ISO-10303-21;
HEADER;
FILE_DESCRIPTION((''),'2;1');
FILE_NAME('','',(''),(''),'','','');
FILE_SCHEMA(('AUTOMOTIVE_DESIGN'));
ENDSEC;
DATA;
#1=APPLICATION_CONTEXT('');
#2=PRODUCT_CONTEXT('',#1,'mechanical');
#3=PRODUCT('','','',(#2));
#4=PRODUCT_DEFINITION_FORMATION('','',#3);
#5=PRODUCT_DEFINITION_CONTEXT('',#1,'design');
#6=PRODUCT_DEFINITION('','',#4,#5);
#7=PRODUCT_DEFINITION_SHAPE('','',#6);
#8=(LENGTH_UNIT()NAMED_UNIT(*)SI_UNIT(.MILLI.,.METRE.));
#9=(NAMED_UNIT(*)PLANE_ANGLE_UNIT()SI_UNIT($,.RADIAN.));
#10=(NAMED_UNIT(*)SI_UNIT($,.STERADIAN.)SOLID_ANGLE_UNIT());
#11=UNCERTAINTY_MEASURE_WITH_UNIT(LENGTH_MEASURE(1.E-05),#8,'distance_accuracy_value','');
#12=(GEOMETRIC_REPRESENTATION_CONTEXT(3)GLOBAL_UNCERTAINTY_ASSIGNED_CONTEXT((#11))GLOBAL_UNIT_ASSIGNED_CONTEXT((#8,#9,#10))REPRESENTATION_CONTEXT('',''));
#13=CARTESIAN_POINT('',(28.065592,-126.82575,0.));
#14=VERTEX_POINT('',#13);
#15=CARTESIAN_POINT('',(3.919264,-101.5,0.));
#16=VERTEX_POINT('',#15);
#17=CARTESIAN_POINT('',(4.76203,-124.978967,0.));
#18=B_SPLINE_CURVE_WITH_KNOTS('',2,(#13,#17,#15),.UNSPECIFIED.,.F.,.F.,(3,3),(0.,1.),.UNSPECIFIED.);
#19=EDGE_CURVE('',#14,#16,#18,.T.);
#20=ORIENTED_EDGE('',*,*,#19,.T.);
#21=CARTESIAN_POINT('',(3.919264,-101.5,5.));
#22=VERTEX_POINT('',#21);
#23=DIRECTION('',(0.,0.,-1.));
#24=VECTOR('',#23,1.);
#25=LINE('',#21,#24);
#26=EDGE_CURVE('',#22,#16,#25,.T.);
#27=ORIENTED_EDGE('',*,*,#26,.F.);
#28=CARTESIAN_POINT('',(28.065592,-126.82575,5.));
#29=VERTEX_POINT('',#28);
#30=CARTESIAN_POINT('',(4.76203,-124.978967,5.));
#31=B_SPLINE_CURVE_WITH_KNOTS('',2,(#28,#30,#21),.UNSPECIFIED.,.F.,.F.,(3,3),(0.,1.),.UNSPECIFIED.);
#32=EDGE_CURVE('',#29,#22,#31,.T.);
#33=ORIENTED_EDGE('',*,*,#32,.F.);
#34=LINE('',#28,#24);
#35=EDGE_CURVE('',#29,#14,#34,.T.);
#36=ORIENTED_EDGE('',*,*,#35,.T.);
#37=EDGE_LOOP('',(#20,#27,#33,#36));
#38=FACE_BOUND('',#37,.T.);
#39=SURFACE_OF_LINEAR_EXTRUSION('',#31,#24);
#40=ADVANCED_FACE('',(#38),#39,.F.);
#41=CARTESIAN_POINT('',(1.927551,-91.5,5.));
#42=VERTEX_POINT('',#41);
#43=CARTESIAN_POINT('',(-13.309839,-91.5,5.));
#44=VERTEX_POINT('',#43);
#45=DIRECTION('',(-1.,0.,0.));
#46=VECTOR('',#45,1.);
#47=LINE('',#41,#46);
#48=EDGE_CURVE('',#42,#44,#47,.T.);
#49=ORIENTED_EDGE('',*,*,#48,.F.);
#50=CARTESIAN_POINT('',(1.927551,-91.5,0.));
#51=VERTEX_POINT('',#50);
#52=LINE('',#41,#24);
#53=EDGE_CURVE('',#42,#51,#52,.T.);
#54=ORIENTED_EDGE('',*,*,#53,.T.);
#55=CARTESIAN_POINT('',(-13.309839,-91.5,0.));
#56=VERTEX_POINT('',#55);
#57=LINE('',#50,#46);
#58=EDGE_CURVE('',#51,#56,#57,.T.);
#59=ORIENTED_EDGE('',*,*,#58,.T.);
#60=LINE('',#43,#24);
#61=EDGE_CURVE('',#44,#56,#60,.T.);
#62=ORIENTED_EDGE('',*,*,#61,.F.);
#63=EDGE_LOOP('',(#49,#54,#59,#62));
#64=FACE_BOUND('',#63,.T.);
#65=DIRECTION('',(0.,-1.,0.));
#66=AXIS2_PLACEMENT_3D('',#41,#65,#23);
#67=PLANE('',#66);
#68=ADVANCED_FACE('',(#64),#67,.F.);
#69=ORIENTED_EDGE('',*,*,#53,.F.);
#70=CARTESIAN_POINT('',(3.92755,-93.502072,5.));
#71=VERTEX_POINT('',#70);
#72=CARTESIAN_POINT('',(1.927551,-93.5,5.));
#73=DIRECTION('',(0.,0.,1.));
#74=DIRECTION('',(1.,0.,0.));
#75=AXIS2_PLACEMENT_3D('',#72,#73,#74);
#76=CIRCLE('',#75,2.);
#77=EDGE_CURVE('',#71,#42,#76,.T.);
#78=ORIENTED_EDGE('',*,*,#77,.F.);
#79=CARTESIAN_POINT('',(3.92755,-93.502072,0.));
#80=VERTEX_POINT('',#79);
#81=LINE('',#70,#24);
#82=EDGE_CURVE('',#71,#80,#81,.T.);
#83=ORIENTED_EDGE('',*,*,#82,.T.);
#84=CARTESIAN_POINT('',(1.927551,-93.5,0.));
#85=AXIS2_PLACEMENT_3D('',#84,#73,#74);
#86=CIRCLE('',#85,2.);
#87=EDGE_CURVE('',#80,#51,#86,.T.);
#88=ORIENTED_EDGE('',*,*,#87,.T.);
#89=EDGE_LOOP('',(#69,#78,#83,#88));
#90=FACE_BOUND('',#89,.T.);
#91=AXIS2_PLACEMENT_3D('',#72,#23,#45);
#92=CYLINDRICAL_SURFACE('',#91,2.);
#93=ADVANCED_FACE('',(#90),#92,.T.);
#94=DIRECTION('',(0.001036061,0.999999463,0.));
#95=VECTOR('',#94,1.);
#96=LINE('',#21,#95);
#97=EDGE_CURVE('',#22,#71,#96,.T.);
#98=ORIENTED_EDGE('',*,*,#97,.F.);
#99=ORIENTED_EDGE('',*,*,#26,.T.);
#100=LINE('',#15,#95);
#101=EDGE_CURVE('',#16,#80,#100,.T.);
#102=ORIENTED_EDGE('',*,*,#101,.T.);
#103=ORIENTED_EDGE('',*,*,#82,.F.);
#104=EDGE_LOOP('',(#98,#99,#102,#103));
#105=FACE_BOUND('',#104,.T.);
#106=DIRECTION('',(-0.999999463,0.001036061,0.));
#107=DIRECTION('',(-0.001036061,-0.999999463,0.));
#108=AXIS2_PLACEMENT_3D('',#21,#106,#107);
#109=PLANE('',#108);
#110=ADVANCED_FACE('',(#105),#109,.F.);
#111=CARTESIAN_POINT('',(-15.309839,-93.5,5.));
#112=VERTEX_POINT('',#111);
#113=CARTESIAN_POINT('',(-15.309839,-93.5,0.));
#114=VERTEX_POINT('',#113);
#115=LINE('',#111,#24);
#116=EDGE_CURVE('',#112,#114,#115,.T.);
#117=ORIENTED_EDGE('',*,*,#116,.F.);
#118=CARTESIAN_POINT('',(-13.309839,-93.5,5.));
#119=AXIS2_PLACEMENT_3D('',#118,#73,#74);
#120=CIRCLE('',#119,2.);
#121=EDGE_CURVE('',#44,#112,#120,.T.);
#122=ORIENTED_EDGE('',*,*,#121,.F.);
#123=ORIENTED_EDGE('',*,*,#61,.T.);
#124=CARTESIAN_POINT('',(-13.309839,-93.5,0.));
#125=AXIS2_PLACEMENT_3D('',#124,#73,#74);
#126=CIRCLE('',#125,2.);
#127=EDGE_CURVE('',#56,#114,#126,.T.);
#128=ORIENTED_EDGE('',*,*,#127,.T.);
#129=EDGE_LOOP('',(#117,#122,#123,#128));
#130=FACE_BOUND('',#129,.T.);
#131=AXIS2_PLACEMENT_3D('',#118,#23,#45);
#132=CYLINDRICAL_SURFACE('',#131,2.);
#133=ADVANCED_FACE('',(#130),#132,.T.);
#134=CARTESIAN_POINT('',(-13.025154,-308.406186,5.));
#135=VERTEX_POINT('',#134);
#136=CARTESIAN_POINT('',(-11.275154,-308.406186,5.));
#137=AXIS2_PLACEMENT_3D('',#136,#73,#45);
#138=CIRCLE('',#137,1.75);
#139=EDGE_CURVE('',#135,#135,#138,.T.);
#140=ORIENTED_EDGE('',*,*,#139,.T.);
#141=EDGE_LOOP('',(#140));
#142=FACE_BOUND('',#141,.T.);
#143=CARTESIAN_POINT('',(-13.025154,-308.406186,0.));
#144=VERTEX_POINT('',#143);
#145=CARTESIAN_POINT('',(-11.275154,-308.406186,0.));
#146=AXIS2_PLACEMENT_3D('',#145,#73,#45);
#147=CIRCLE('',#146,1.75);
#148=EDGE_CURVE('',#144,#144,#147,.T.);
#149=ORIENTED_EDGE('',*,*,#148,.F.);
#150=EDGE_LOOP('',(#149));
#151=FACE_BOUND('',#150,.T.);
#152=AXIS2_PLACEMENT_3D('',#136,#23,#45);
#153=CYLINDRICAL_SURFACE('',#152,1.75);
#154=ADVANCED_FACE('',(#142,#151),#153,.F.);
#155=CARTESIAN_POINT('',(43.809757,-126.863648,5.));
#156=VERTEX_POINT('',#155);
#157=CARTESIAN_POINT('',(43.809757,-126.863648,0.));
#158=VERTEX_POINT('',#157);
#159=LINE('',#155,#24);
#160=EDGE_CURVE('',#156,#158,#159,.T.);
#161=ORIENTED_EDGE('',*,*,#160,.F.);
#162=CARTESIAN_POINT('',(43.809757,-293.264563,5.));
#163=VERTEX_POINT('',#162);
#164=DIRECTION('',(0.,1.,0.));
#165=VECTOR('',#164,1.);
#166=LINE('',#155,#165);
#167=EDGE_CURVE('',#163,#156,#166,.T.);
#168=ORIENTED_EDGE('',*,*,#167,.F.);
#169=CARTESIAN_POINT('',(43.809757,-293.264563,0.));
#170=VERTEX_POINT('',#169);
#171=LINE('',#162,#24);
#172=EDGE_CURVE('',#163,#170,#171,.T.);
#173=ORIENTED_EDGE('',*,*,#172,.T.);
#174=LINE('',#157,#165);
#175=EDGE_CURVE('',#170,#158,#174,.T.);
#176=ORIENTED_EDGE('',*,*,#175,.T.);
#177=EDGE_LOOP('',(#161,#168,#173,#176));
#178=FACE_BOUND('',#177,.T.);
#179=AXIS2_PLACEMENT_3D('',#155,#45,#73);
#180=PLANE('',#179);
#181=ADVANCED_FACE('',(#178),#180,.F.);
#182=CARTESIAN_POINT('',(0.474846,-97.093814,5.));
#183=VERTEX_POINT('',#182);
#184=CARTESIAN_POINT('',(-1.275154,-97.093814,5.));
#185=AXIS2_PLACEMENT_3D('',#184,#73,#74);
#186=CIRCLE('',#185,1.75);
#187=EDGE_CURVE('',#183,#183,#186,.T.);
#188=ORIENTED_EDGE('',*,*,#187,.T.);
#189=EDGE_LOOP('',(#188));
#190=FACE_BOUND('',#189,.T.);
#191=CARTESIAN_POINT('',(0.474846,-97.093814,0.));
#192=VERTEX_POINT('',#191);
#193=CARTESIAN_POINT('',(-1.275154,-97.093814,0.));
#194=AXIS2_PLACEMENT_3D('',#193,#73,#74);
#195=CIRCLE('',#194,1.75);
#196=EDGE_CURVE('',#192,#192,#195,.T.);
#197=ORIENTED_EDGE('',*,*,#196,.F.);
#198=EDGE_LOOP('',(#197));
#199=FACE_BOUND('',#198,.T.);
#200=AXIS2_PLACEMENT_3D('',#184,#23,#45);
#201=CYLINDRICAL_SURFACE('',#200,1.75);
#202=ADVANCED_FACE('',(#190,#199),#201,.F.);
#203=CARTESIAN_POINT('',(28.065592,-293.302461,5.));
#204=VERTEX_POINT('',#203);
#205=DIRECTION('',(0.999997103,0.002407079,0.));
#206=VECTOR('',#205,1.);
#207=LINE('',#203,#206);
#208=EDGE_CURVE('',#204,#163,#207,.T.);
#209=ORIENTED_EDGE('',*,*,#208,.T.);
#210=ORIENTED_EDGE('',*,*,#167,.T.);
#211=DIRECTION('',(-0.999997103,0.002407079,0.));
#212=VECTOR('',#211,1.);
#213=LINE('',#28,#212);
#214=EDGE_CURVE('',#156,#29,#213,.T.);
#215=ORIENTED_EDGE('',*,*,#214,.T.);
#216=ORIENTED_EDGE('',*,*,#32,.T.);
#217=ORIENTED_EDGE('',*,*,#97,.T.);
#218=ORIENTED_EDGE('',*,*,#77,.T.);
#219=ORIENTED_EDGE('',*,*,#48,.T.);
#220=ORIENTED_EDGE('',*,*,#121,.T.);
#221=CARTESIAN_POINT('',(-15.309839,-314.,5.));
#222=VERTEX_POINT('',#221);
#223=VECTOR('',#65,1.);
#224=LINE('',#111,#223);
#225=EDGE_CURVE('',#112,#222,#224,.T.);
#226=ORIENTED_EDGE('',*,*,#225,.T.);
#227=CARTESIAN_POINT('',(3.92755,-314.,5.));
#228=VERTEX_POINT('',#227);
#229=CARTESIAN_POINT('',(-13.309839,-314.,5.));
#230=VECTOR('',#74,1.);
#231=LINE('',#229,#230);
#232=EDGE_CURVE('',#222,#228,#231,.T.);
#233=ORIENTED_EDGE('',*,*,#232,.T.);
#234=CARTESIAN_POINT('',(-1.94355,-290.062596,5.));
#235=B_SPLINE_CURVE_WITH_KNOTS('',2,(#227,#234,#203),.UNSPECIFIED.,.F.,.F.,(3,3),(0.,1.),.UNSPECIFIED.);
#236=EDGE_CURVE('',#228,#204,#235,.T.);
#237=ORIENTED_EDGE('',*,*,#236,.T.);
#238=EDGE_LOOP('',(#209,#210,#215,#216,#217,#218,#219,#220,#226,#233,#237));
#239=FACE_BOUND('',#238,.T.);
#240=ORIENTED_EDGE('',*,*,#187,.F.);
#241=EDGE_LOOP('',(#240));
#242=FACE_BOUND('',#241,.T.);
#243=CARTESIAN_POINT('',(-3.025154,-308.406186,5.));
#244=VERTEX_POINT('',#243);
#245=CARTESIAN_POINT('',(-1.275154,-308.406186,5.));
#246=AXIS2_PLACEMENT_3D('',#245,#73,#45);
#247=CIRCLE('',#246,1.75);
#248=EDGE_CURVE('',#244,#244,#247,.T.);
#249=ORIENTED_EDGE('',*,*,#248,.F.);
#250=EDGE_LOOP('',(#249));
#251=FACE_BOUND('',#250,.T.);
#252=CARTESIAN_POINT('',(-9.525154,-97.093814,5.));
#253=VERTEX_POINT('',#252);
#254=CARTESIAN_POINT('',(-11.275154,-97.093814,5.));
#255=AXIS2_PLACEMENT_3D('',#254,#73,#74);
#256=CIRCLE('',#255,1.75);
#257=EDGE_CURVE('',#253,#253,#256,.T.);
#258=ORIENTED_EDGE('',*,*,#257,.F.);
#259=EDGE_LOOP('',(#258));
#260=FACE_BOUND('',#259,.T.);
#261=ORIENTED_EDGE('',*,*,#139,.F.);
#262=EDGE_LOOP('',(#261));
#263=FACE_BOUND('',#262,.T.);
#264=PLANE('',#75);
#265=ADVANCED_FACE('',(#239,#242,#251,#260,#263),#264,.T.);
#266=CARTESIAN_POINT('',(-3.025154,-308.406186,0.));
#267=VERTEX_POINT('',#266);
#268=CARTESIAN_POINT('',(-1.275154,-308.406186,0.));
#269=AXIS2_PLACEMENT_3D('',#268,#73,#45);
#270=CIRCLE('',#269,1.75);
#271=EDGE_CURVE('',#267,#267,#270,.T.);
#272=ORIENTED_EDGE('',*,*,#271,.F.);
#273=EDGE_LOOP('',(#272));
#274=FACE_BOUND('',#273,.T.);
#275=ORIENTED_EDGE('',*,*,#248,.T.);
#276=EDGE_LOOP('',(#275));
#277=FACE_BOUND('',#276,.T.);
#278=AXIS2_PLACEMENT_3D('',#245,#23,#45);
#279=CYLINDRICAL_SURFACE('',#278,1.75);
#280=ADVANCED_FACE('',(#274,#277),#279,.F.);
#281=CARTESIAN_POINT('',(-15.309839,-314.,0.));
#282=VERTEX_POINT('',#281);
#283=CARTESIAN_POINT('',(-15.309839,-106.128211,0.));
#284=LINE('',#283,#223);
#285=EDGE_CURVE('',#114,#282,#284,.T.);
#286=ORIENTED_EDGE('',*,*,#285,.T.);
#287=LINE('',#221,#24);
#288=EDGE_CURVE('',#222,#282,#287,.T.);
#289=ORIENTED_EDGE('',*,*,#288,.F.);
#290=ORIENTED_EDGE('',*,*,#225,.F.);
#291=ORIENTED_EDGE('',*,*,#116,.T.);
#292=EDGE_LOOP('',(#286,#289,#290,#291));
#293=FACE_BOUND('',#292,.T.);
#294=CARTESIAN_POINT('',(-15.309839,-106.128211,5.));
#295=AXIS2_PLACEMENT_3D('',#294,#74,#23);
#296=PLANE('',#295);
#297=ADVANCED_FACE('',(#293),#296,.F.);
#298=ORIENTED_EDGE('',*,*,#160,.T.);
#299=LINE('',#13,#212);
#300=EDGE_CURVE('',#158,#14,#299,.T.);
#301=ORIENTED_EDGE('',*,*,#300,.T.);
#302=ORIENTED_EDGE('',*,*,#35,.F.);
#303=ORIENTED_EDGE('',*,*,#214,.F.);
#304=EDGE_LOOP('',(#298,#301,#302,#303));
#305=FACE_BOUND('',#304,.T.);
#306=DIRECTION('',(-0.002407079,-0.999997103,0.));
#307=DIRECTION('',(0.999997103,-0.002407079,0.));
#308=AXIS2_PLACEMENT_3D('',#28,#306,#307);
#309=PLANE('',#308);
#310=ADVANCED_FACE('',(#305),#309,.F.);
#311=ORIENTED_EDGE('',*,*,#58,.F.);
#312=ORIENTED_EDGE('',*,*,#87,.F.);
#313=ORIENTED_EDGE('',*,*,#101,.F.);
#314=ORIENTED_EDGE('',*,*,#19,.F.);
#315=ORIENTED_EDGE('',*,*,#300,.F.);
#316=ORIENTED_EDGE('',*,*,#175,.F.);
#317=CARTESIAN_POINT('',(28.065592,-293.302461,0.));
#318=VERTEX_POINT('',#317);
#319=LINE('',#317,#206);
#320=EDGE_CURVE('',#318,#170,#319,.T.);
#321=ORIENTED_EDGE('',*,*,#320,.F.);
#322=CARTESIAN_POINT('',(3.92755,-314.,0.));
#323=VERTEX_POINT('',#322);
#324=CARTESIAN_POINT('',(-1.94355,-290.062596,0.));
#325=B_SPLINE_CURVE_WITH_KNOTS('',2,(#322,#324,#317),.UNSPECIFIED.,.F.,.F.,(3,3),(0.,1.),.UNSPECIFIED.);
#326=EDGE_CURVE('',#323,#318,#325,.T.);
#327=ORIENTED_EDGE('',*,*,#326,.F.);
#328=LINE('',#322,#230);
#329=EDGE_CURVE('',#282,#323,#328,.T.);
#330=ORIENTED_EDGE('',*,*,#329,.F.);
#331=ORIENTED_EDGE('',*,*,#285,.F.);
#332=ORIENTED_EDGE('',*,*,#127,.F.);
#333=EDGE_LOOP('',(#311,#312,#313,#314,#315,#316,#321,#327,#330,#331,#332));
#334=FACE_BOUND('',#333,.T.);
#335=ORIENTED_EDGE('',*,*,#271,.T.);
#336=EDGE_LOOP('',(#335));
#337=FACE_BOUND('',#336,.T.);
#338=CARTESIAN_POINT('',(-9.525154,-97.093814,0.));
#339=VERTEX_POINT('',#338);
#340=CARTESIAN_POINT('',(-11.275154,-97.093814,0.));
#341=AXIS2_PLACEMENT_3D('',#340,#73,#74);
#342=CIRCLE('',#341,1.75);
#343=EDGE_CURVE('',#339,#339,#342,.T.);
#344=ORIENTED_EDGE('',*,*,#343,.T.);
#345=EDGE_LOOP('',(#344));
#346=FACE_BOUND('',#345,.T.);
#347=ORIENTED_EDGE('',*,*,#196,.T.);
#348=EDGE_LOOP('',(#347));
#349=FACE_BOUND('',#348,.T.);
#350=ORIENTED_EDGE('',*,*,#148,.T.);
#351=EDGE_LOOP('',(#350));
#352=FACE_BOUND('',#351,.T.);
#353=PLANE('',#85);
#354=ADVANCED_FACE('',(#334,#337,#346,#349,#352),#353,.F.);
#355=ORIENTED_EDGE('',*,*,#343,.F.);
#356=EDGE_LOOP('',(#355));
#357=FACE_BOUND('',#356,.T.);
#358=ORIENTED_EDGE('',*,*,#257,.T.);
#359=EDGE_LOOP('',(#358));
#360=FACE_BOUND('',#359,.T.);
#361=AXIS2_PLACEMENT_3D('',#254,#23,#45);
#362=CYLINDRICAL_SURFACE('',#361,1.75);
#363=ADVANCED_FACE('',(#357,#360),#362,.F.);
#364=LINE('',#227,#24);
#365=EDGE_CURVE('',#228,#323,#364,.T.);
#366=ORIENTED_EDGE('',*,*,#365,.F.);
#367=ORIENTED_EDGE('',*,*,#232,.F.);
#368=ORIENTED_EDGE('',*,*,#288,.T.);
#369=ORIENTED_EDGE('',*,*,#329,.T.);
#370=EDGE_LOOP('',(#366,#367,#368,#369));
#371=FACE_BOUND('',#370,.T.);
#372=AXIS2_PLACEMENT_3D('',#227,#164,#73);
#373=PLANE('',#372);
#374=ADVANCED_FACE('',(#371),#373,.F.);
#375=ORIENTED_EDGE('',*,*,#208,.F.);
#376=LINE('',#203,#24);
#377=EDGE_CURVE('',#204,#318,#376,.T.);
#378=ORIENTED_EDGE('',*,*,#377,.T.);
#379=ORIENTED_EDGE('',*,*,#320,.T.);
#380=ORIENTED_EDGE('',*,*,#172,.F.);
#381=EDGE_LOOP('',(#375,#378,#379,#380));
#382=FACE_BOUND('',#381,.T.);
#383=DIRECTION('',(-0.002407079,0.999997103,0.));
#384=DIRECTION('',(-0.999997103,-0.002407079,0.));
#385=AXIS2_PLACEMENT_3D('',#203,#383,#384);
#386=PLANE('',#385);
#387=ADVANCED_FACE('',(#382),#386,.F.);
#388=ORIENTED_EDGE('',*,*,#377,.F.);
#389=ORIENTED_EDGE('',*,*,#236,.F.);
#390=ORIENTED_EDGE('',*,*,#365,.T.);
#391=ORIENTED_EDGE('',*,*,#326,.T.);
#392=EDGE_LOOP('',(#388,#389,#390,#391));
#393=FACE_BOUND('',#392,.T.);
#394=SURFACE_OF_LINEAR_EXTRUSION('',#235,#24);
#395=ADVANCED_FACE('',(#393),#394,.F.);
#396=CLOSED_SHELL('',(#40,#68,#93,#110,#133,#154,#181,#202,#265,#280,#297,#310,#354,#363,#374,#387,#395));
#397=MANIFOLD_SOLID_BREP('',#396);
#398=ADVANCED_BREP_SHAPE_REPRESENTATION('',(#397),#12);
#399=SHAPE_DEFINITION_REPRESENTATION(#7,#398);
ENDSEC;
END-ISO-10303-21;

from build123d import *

# Parameters (mm, degrees)
SKETCH1_R           = 1.75
BOSS_EXTRUDE1_DEPTH = 5


with BuildPart() as part:
    # Sketch1 → Boss-Extrude1 (new body)
    with BuildSketch(Plane.XY):
        with BuildLine():
            Line((3.927550053, -314), (1.927551127, -314))
            Line((1.927551127, -314), (-13.309839226, -314))
            Line((-13.309839226, -314), (-15.309839226, -314))
            Line((-15.309839226, -314), (-15.309839226, -106.128211153))
            Line((-15.309839226, -106.128211153), (-15.309839226, -93.5))
            ThreePointArc((-15.309839226, -93.5), (-14.724052788, -92.085786438), (-13.309839226, -91.5))
            Line((-13.309839226, -91.5), (1.927551127, -91.5))
            ThreePointArc((1.927551127, -91.5), (3.342497106, -92.086519234), (3.927550053, -93.502072123))
            Line((3.927550053, -93.502072123), (3.919263706, -101.5))
            add(Edge.make_bspline(
                [(3.919263706, -101.5), (4.762029824, -124.978966699), (28.065591749, -126.82575045)],
                knots=[0, 0, 0, 1, 1, 1], degree=2))
            Line((28.065591749, -126.82575045), (43.809757496, -126.863648017))
            Line((43.809757496, -126.863648017), (43.809757496, -293.264563137))
            Line((43.809757496, -293.264563137), (28.065591749, -293.302460704))
            add(Edge.make_bspline(
                [(3.927550053, -314), (-1.943550438, -290.062596381), (28.065591749, -293.302460704)],
                knots=[0, 0, 0, 1, 1, 1], degree=2))
        make_face()
        with Locations((-11.275154001, -97.093813656)):
            Circle(SKETCH1_R, mode=Mode.SUBTRACT)
        with Locations((-1.275154001, -97.093813656)):
            Circle(SKETCH1_R, mode=Mode.SUBTRACT)
        with Locations(Location((-1.275154001, -308.406186344, 0), (0, 0, 180))):
            Circle(SKETCH1_R, mode=Mode.SUBTRACT)
        with Locations(Location((-11.275154001, -308.406186344, 0), (0, 0, 180))):
            Circle(SKETCH1_R, mode=Mode.SUBTRACT)
    extrude(amount=BOSS_EXTRUDE1_DEPTH)


solid = part.part
